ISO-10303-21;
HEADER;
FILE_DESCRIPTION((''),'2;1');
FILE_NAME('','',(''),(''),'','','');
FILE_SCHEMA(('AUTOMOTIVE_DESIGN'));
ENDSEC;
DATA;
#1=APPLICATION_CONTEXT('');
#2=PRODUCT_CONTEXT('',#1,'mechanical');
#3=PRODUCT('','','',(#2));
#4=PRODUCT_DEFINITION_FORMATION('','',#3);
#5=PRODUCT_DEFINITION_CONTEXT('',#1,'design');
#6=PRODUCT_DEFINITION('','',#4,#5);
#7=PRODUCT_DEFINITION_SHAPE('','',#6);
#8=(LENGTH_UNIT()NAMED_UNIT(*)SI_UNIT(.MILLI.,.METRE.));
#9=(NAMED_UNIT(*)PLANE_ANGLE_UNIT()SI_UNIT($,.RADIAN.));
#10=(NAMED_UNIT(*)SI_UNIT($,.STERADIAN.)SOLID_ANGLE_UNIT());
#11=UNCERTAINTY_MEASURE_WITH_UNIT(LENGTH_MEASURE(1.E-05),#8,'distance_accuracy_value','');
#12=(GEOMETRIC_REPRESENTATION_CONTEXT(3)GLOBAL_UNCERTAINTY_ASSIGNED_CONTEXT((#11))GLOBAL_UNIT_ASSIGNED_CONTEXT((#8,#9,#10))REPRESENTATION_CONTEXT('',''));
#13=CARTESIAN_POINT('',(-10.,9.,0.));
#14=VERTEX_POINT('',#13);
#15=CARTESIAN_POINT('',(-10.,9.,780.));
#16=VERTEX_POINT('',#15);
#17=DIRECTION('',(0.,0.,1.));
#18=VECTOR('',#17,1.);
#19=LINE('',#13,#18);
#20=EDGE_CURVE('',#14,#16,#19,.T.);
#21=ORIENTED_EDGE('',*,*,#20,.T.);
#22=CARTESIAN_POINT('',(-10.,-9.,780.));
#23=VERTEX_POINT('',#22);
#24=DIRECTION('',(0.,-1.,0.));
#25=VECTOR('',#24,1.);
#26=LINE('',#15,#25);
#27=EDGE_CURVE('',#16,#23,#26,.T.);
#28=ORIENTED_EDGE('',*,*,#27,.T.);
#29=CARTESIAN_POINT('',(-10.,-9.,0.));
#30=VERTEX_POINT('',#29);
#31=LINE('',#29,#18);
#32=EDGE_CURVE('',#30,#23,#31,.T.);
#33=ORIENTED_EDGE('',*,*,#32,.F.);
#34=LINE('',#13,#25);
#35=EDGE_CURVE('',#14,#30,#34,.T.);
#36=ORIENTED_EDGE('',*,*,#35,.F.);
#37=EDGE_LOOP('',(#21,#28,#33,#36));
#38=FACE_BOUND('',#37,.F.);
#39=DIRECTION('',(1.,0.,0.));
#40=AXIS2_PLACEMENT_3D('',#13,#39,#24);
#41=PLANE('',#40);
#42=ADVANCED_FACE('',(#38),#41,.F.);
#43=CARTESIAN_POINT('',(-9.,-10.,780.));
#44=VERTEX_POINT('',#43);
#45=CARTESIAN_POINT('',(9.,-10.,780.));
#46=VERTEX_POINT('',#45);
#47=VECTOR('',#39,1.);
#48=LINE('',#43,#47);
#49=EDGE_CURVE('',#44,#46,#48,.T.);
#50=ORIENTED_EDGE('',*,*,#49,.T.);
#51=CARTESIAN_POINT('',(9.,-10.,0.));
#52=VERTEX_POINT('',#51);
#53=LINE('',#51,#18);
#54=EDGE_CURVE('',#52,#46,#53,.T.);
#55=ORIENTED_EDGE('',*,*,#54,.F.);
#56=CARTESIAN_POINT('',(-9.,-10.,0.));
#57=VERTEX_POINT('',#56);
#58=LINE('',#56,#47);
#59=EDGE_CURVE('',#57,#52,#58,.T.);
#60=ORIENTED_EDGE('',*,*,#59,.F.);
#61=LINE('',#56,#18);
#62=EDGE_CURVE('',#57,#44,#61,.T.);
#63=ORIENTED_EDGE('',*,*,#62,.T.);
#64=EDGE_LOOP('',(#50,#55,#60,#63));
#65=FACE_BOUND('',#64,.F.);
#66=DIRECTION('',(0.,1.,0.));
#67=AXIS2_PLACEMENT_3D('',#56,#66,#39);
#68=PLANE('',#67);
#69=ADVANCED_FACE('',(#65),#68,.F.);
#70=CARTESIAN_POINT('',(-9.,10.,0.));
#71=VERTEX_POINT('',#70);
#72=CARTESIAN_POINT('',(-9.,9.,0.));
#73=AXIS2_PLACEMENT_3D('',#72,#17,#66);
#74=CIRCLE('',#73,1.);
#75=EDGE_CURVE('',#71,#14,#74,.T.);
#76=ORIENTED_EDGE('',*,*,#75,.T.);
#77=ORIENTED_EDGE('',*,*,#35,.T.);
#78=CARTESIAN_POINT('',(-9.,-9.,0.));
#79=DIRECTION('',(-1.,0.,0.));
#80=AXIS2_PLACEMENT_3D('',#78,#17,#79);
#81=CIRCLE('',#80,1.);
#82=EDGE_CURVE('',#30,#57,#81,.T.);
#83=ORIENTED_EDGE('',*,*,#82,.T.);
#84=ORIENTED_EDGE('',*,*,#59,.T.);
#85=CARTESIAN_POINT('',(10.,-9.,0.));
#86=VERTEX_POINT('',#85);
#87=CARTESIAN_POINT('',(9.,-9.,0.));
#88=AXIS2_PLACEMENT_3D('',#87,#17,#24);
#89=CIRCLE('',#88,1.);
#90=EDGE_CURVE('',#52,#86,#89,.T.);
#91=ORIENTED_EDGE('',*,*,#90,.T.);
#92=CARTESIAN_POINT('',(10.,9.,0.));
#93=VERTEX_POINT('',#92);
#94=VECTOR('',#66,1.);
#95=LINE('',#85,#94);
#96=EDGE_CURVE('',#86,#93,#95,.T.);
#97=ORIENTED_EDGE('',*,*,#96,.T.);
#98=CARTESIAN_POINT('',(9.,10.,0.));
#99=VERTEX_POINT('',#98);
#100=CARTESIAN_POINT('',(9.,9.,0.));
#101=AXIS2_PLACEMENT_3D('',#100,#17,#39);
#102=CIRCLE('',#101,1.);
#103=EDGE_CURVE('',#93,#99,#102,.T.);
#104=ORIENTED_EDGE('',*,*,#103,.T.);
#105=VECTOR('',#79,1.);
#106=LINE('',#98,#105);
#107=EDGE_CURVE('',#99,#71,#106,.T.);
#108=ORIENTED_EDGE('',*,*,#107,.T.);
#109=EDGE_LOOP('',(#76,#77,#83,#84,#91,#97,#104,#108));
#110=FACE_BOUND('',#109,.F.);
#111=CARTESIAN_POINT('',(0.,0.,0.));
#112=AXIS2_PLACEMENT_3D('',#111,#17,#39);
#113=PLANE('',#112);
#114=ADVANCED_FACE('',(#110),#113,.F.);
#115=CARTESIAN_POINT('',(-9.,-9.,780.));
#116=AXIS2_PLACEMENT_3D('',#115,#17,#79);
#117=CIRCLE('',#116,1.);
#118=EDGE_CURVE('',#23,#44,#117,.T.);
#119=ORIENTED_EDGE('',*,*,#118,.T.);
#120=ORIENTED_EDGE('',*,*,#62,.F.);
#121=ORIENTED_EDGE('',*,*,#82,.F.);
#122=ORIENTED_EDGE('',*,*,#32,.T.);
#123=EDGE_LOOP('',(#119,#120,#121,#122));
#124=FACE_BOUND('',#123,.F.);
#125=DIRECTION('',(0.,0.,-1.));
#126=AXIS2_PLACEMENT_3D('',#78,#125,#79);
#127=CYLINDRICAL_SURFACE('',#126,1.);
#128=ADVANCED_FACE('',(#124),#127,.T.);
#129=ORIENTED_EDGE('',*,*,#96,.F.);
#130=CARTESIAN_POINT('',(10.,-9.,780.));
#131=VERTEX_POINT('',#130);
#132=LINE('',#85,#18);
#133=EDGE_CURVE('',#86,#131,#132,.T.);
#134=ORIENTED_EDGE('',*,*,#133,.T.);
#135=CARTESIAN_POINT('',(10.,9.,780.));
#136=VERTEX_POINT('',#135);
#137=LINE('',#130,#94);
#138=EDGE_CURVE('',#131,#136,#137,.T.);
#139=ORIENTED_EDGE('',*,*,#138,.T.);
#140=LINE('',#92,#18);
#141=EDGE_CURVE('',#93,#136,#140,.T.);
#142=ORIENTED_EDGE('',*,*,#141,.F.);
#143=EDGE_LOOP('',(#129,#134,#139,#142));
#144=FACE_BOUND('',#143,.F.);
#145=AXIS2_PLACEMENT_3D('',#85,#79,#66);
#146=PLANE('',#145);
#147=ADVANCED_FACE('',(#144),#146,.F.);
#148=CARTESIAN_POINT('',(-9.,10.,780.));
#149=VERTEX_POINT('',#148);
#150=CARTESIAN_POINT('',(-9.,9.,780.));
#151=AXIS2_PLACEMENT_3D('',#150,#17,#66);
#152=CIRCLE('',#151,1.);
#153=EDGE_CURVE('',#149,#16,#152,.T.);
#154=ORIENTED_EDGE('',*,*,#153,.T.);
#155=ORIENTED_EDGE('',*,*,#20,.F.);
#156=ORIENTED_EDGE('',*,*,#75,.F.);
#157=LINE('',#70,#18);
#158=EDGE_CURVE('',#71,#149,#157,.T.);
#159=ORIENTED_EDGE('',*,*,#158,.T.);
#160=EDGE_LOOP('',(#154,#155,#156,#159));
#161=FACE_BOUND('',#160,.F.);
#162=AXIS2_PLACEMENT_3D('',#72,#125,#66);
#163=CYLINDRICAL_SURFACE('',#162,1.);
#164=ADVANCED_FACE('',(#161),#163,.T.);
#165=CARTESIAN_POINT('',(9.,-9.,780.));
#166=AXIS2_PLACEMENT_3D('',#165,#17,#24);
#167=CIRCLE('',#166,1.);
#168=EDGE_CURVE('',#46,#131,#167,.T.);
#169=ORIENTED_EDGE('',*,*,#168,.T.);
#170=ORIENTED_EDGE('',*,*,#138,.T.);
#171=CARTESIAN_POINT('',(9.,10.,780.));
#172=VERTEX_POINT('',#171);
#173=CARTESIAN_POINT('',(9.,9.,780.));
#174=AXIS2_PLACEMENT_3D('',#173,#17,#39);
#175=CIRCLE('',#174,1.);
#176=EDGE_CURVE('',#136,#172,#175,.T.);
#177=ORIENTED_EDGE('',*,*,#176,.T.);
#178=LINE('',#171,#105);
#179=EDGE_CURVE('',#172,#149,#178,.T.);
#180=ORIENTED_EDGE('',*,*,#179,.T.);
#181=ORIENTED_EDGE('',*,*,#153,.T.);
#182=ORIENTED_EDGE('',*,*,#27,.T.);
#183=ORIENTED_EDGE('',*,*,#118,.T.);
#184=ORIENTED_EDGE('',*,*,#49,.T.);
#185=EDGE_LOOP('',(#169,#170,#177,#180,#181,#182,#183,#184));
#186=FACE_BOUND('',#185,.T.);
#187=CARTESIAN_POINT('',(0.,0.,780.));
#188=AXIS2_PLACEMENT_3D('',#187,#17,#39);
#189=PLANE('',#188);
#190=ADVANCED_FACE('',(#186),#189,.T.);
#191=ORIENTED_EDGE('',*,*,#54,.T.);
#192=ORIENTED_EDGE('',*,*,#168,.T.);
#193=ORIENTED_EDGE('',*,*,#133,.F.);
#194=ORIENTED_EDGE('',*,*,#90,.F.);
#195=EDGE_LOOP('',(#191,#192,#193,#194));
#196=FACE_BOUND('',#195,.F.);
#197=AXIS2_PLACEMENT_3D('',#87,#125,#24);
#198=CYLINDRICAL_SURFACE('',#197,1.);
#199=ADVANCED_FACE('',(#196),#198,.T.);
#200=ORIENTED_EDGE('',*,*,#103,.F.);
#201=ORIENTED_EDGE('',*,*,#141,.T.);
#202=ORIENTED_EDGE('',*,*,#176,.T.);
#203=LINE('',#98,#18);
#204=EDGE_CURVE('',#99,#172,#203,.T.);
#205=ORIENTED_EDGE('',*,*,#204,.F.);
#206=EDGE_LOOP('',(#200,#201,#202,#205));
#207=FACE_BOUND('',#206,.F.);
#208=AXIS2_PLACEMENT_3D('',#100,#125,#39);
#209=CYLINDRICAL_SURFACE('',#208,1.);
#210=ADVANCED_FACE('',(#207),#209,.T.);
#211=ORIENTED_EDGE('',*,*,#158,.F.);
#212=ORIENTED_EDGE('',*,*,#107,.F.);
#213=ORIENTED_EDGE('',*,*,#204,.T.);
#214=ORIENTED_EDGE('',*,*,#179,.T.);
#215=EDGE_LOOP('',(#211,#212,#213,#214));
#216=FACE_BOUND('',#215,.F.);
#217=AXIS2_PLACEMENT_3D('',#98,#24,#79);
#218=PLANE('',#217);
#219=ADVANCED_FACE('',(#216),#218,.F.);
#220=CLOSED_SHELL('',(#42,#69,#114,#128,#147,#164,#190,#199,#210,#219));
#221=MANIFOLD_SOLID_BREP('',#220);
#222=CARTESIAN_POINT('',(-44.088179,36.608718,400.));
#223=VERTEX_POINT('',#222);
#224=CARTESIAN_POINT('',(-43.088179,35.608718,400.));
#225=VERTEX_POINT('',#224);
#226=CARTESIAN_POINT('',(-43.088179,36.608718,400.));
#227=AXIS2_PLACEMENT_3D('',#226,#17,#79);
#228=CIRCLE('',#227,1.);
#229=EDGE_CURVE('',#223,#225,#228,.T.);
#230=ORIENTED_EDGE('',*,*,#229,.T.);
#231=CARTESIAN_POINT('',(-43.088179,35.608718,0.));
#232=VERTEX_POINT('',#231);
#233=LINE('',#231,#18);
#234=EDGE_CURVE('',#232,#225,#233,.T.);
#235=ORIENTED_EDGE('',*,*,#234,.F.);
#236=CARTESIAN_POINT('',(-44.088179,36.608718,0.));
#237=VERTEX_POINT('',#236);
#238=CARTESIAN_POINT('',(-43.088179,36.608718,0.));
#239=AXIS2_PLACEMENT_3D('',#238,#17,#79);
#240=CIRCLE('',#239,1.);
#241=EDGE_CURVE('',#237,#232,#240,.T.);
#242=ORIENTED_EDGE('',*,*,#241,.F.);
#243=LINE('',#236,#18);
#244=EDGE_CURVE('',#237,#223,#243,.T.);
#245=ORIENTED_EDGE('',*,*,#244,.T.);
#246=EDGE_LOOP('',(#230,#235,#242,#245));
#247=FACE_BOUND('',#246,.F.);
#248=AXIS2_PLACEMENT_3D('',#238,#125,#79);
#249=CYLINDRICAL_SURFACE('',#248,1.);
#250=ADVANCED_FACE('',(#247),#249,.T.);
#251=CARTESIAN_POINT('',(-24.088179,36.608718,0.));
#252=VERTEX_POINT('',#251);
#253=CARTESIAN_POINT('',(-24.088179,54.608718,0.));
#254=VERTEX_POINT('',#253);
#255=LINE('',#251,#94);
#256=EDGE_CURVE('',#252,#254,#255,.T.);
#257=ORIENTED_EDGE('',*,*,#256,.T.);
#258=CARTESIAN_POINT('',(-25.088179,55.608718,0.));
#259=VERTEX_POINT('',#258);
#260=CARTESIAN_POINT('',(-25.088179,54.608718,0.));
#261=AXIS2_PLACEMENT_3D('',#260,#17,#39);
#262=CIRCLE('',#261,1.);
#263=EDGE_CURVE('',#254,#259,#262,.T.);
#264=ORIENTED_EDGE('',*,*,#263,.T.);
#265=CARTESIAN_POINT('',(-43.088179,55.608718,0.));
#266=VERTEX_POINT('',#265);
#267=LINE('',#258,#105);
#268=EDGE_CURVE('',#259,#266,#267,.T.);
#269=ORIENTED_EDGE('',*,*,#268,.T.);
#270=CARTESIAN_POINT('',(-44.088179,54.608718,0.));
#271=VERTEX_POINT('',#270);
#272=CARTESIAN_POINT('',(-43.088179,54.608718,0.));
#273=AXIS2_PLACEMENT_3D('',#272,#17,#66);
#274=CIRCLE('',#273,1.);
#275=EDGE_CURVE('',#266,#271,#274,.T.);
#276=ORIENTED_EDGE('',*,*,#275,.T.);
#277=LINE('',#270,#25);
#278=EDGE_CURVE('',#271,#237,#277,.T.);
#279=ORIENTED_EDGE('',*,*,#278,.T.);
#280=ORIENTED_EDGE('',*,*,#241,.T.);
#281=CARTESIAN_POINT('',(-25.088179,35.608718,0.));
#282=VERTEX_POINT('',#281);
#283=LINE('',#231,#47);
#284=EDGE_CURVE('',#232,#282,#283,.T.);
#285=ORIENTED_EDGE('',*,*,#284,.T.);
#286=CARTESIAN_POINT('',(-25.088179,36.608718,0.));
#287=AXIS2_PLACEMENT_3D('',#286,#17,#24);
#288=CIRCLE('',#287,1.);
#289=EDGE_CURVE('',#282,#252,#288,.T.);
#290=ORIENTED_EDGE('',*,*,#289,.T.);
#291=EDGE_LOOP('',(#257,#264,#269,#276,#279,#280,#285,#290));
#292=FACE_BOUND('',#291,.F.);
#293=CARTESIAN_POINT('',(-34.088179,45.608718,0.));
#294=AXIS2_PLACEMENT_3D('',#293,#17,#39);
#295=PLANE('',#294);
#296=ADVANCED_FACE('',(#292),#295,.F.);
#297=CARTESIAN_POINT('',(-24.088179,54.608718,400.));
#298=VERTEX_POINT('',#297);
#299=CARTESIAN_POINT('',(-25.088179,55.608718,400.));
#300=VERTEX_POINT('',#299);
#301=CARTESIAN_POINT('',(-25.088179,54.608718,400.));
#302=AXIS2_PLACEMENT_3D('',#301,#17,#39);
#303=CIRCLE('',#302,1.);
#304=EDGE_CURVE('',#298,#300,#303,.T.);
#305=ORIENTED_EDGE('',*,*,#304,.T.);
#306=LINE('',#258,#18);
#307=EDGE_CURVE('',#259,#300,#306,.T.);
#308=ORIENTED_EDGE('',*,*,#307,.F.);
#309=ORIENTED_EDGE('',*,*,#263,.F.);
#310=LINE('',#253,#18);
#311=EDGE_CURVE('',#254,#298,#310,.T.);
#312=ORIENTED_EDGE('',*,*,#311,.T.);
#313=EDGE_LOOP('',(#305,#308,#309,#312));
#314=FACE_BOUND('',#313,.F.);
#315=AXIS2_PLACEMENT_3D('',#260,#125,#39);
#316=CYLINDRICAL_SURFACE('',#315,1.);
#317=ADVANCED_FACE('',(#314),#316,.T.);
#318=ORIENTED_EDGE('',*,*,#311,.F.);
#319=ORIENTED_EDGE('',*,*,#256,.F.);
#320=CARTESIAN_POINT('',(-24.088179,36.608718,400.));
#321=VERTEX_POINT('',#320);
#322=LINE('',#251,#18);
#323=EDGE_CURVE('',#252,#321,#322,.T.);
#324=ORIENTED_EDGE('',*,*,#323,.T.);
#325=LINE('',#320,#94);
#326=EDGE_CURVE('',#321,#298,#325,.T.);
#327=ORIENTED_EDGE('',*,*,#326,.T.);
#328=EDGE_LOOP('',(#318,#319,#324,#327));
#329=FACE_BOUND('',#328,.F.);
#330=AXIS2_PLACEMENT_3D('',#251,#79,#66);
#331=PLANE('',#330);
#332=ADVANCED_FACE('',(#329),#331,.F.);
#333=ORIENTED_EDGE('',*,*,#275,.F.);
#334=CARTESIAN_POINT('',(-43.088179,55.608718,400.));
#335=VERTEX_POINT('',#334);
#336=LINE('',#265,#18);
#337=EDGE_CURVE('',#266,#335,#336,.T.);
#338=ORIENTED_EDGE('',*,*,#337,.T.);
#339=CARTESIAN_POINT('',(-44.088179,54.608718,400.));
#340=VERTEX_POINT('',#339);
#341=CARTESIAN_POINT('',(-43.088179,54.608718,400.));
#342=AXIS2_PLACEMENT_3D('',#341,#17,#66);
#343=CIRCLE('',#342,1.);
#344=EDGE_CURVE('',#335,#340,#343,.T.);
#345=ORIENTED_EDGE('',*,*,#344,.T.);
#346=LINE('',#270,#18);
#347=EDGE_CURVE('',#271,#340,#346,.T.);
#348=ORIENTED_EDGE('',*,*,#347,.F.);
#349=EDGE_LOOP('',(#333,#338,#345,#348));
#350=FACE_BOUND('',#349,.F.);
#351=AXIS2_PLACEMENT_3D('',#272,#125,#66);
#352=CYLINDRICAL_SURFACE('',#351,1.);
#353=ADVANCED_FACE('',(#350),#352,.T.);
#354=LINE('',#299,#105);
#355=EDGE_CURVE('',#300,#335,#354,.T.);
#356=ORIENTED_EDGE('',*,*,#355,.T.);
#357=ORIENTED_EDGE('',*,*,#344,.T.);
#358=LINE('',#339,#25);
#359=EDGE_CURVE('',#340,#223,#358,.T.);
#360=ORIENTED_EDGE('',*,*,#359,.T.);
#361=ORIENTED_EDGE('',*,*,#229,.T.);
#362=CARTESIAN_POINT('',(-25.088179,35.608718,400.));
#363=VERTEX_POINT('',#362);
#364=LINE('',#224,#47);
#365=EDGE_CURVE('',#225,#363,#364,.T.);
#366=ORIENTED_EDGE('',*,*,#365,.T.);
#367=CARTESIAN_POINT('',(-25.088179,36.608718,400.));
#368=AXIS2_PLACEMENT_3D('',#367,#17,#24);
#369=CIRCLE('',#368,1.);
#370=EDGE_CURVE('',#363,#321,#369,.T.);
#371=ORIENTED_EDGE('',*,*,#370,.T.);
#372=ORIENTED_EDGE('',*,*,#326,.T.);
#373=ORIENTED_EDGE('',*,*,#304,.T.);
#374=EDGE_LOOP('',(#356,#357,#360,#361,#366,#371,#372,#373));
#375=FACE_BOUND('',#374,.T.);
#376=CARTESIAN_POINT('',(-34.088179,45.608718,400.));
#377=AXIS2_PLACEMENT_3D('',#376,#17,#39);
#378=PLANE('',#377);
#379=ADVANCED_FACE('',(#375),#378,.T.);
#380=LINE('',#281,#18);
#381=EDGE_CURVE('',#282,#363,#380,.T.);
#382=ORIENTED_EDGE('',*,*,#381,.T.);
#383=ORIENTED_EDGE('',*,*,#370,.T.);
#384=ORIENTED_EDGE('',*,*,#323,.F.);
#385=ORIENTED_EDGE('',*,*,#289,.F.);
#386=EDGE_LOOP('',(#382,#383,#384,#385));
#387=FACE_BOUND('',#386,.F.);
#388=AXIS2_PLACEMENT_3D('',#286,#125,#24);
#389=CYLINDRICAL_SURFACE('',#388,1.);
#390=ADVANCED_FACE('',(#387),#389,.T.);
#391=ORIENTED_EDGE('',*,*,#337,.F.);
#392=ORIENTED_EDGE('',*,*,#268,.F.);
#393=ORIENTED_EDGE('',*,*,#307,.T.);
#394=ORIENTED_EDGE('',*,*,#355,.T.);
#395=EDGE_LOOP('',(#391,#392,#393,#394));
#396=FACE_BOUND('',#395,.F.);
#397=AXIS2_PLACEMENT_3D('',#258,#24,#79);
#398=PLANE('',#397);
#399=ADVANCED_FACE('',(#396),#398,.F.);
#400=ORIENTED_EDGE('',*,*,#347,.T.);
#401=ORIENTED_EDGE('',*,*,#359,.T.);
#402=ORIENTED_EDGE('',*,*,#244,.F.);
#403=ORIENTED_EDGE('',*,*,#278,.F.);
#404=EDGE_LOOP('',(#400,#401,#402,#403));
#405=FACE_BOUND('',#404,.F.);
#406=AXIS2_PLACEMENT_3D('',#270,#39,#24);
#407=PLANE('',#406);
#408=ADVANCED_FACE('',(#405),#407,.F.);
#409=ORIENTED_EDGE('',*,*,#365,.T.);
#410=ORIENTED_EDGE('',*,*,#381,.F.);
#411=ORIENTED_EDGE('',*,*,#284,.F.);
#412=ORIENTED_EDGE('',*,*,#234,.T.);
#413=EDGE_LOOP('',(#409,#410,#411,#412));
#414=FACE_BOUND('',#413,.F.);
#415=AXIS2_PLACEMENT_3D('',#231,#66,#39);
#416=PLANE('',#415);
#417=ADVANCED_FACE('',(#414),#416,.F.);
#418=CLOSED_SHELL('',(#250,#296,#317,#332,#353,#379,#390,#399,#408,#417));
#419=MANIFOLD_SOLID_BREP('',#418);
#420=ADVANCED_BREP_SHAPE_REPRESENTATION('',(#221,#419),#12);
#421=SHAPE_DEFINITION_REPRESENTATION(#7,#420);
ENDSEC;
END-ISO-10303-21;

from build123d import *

# Parameters (mm, degrees)
F2_DEPTH = 780
F3_DEPTH = 400


with BuildPart() as f2:
    # F1 (on Top) → F2 (new body)
    with BuildSketch(Plane.XY):
        with BuildLine():
            Line((-9, -10), (9, -10))
            ThreePointArc((9, -10), (9.7071067812, -9.7071067812), (10, -9))
            Line((10, -9), (10, 9))
            ThreePointArc((10, 9), (9.7071067812, 9.7071067812), (9, 10))
            Line((9, 10), (-9, 10))
            ThreePointArc((-9, 10), (-9.7071067812, 9.7071067812), (-10, 9))
            Line((-10, 9), (-10, -9))
            ThreePointArc((-10, -9), (-9.7071067812, -9.7071067812), (-9, -10))
        make_face()
    extrude(amount=F2_DEPTH)


with BuildPart() as f3:
    # F1 (on Top) → F3 (new body)
    with BuildSketch(Plane.XY):
        with BuildLine():
            Line((-43.0881794691, 35.6087179482), (-25.0881794691, 35.6087179482))
            ThreePointArc((-25.0881794691, 35.6087179482), (-24.3810726879, 35.901611167), (-24.0881794691, 36.6087179482))
            Line((-24.0881794691, 36.6087179482), (-24.0881794691, 54.6087179482))
            ThreePointArc((-24.0881794691, 54.6087179482), (-24.3810726879, 55.3158247294), (-25.0881794691, 55.6087179482))
            Line((-25.0881794691, 55.6087179482), (-43.0881794691, 55.6087179482))
            ThreePointArc((-43.0881794691, 55.6087179482), (-43.7952862503, 55.3158247294), (-44.0881794691, 54.6087179482))
            Line((-44.0881794691, 54.6087179482), (-44.0881794691, 36.6087179482))
            ThreePointArc((-44.0881794691, 36.6087179482), (-43.7952862503, 35.901611167), (-43.0881794691, 35.6087179482))
        make_face()
    extrude(amount=F3_DEPTH)


solid = Compound([f2.part, f3.part])
